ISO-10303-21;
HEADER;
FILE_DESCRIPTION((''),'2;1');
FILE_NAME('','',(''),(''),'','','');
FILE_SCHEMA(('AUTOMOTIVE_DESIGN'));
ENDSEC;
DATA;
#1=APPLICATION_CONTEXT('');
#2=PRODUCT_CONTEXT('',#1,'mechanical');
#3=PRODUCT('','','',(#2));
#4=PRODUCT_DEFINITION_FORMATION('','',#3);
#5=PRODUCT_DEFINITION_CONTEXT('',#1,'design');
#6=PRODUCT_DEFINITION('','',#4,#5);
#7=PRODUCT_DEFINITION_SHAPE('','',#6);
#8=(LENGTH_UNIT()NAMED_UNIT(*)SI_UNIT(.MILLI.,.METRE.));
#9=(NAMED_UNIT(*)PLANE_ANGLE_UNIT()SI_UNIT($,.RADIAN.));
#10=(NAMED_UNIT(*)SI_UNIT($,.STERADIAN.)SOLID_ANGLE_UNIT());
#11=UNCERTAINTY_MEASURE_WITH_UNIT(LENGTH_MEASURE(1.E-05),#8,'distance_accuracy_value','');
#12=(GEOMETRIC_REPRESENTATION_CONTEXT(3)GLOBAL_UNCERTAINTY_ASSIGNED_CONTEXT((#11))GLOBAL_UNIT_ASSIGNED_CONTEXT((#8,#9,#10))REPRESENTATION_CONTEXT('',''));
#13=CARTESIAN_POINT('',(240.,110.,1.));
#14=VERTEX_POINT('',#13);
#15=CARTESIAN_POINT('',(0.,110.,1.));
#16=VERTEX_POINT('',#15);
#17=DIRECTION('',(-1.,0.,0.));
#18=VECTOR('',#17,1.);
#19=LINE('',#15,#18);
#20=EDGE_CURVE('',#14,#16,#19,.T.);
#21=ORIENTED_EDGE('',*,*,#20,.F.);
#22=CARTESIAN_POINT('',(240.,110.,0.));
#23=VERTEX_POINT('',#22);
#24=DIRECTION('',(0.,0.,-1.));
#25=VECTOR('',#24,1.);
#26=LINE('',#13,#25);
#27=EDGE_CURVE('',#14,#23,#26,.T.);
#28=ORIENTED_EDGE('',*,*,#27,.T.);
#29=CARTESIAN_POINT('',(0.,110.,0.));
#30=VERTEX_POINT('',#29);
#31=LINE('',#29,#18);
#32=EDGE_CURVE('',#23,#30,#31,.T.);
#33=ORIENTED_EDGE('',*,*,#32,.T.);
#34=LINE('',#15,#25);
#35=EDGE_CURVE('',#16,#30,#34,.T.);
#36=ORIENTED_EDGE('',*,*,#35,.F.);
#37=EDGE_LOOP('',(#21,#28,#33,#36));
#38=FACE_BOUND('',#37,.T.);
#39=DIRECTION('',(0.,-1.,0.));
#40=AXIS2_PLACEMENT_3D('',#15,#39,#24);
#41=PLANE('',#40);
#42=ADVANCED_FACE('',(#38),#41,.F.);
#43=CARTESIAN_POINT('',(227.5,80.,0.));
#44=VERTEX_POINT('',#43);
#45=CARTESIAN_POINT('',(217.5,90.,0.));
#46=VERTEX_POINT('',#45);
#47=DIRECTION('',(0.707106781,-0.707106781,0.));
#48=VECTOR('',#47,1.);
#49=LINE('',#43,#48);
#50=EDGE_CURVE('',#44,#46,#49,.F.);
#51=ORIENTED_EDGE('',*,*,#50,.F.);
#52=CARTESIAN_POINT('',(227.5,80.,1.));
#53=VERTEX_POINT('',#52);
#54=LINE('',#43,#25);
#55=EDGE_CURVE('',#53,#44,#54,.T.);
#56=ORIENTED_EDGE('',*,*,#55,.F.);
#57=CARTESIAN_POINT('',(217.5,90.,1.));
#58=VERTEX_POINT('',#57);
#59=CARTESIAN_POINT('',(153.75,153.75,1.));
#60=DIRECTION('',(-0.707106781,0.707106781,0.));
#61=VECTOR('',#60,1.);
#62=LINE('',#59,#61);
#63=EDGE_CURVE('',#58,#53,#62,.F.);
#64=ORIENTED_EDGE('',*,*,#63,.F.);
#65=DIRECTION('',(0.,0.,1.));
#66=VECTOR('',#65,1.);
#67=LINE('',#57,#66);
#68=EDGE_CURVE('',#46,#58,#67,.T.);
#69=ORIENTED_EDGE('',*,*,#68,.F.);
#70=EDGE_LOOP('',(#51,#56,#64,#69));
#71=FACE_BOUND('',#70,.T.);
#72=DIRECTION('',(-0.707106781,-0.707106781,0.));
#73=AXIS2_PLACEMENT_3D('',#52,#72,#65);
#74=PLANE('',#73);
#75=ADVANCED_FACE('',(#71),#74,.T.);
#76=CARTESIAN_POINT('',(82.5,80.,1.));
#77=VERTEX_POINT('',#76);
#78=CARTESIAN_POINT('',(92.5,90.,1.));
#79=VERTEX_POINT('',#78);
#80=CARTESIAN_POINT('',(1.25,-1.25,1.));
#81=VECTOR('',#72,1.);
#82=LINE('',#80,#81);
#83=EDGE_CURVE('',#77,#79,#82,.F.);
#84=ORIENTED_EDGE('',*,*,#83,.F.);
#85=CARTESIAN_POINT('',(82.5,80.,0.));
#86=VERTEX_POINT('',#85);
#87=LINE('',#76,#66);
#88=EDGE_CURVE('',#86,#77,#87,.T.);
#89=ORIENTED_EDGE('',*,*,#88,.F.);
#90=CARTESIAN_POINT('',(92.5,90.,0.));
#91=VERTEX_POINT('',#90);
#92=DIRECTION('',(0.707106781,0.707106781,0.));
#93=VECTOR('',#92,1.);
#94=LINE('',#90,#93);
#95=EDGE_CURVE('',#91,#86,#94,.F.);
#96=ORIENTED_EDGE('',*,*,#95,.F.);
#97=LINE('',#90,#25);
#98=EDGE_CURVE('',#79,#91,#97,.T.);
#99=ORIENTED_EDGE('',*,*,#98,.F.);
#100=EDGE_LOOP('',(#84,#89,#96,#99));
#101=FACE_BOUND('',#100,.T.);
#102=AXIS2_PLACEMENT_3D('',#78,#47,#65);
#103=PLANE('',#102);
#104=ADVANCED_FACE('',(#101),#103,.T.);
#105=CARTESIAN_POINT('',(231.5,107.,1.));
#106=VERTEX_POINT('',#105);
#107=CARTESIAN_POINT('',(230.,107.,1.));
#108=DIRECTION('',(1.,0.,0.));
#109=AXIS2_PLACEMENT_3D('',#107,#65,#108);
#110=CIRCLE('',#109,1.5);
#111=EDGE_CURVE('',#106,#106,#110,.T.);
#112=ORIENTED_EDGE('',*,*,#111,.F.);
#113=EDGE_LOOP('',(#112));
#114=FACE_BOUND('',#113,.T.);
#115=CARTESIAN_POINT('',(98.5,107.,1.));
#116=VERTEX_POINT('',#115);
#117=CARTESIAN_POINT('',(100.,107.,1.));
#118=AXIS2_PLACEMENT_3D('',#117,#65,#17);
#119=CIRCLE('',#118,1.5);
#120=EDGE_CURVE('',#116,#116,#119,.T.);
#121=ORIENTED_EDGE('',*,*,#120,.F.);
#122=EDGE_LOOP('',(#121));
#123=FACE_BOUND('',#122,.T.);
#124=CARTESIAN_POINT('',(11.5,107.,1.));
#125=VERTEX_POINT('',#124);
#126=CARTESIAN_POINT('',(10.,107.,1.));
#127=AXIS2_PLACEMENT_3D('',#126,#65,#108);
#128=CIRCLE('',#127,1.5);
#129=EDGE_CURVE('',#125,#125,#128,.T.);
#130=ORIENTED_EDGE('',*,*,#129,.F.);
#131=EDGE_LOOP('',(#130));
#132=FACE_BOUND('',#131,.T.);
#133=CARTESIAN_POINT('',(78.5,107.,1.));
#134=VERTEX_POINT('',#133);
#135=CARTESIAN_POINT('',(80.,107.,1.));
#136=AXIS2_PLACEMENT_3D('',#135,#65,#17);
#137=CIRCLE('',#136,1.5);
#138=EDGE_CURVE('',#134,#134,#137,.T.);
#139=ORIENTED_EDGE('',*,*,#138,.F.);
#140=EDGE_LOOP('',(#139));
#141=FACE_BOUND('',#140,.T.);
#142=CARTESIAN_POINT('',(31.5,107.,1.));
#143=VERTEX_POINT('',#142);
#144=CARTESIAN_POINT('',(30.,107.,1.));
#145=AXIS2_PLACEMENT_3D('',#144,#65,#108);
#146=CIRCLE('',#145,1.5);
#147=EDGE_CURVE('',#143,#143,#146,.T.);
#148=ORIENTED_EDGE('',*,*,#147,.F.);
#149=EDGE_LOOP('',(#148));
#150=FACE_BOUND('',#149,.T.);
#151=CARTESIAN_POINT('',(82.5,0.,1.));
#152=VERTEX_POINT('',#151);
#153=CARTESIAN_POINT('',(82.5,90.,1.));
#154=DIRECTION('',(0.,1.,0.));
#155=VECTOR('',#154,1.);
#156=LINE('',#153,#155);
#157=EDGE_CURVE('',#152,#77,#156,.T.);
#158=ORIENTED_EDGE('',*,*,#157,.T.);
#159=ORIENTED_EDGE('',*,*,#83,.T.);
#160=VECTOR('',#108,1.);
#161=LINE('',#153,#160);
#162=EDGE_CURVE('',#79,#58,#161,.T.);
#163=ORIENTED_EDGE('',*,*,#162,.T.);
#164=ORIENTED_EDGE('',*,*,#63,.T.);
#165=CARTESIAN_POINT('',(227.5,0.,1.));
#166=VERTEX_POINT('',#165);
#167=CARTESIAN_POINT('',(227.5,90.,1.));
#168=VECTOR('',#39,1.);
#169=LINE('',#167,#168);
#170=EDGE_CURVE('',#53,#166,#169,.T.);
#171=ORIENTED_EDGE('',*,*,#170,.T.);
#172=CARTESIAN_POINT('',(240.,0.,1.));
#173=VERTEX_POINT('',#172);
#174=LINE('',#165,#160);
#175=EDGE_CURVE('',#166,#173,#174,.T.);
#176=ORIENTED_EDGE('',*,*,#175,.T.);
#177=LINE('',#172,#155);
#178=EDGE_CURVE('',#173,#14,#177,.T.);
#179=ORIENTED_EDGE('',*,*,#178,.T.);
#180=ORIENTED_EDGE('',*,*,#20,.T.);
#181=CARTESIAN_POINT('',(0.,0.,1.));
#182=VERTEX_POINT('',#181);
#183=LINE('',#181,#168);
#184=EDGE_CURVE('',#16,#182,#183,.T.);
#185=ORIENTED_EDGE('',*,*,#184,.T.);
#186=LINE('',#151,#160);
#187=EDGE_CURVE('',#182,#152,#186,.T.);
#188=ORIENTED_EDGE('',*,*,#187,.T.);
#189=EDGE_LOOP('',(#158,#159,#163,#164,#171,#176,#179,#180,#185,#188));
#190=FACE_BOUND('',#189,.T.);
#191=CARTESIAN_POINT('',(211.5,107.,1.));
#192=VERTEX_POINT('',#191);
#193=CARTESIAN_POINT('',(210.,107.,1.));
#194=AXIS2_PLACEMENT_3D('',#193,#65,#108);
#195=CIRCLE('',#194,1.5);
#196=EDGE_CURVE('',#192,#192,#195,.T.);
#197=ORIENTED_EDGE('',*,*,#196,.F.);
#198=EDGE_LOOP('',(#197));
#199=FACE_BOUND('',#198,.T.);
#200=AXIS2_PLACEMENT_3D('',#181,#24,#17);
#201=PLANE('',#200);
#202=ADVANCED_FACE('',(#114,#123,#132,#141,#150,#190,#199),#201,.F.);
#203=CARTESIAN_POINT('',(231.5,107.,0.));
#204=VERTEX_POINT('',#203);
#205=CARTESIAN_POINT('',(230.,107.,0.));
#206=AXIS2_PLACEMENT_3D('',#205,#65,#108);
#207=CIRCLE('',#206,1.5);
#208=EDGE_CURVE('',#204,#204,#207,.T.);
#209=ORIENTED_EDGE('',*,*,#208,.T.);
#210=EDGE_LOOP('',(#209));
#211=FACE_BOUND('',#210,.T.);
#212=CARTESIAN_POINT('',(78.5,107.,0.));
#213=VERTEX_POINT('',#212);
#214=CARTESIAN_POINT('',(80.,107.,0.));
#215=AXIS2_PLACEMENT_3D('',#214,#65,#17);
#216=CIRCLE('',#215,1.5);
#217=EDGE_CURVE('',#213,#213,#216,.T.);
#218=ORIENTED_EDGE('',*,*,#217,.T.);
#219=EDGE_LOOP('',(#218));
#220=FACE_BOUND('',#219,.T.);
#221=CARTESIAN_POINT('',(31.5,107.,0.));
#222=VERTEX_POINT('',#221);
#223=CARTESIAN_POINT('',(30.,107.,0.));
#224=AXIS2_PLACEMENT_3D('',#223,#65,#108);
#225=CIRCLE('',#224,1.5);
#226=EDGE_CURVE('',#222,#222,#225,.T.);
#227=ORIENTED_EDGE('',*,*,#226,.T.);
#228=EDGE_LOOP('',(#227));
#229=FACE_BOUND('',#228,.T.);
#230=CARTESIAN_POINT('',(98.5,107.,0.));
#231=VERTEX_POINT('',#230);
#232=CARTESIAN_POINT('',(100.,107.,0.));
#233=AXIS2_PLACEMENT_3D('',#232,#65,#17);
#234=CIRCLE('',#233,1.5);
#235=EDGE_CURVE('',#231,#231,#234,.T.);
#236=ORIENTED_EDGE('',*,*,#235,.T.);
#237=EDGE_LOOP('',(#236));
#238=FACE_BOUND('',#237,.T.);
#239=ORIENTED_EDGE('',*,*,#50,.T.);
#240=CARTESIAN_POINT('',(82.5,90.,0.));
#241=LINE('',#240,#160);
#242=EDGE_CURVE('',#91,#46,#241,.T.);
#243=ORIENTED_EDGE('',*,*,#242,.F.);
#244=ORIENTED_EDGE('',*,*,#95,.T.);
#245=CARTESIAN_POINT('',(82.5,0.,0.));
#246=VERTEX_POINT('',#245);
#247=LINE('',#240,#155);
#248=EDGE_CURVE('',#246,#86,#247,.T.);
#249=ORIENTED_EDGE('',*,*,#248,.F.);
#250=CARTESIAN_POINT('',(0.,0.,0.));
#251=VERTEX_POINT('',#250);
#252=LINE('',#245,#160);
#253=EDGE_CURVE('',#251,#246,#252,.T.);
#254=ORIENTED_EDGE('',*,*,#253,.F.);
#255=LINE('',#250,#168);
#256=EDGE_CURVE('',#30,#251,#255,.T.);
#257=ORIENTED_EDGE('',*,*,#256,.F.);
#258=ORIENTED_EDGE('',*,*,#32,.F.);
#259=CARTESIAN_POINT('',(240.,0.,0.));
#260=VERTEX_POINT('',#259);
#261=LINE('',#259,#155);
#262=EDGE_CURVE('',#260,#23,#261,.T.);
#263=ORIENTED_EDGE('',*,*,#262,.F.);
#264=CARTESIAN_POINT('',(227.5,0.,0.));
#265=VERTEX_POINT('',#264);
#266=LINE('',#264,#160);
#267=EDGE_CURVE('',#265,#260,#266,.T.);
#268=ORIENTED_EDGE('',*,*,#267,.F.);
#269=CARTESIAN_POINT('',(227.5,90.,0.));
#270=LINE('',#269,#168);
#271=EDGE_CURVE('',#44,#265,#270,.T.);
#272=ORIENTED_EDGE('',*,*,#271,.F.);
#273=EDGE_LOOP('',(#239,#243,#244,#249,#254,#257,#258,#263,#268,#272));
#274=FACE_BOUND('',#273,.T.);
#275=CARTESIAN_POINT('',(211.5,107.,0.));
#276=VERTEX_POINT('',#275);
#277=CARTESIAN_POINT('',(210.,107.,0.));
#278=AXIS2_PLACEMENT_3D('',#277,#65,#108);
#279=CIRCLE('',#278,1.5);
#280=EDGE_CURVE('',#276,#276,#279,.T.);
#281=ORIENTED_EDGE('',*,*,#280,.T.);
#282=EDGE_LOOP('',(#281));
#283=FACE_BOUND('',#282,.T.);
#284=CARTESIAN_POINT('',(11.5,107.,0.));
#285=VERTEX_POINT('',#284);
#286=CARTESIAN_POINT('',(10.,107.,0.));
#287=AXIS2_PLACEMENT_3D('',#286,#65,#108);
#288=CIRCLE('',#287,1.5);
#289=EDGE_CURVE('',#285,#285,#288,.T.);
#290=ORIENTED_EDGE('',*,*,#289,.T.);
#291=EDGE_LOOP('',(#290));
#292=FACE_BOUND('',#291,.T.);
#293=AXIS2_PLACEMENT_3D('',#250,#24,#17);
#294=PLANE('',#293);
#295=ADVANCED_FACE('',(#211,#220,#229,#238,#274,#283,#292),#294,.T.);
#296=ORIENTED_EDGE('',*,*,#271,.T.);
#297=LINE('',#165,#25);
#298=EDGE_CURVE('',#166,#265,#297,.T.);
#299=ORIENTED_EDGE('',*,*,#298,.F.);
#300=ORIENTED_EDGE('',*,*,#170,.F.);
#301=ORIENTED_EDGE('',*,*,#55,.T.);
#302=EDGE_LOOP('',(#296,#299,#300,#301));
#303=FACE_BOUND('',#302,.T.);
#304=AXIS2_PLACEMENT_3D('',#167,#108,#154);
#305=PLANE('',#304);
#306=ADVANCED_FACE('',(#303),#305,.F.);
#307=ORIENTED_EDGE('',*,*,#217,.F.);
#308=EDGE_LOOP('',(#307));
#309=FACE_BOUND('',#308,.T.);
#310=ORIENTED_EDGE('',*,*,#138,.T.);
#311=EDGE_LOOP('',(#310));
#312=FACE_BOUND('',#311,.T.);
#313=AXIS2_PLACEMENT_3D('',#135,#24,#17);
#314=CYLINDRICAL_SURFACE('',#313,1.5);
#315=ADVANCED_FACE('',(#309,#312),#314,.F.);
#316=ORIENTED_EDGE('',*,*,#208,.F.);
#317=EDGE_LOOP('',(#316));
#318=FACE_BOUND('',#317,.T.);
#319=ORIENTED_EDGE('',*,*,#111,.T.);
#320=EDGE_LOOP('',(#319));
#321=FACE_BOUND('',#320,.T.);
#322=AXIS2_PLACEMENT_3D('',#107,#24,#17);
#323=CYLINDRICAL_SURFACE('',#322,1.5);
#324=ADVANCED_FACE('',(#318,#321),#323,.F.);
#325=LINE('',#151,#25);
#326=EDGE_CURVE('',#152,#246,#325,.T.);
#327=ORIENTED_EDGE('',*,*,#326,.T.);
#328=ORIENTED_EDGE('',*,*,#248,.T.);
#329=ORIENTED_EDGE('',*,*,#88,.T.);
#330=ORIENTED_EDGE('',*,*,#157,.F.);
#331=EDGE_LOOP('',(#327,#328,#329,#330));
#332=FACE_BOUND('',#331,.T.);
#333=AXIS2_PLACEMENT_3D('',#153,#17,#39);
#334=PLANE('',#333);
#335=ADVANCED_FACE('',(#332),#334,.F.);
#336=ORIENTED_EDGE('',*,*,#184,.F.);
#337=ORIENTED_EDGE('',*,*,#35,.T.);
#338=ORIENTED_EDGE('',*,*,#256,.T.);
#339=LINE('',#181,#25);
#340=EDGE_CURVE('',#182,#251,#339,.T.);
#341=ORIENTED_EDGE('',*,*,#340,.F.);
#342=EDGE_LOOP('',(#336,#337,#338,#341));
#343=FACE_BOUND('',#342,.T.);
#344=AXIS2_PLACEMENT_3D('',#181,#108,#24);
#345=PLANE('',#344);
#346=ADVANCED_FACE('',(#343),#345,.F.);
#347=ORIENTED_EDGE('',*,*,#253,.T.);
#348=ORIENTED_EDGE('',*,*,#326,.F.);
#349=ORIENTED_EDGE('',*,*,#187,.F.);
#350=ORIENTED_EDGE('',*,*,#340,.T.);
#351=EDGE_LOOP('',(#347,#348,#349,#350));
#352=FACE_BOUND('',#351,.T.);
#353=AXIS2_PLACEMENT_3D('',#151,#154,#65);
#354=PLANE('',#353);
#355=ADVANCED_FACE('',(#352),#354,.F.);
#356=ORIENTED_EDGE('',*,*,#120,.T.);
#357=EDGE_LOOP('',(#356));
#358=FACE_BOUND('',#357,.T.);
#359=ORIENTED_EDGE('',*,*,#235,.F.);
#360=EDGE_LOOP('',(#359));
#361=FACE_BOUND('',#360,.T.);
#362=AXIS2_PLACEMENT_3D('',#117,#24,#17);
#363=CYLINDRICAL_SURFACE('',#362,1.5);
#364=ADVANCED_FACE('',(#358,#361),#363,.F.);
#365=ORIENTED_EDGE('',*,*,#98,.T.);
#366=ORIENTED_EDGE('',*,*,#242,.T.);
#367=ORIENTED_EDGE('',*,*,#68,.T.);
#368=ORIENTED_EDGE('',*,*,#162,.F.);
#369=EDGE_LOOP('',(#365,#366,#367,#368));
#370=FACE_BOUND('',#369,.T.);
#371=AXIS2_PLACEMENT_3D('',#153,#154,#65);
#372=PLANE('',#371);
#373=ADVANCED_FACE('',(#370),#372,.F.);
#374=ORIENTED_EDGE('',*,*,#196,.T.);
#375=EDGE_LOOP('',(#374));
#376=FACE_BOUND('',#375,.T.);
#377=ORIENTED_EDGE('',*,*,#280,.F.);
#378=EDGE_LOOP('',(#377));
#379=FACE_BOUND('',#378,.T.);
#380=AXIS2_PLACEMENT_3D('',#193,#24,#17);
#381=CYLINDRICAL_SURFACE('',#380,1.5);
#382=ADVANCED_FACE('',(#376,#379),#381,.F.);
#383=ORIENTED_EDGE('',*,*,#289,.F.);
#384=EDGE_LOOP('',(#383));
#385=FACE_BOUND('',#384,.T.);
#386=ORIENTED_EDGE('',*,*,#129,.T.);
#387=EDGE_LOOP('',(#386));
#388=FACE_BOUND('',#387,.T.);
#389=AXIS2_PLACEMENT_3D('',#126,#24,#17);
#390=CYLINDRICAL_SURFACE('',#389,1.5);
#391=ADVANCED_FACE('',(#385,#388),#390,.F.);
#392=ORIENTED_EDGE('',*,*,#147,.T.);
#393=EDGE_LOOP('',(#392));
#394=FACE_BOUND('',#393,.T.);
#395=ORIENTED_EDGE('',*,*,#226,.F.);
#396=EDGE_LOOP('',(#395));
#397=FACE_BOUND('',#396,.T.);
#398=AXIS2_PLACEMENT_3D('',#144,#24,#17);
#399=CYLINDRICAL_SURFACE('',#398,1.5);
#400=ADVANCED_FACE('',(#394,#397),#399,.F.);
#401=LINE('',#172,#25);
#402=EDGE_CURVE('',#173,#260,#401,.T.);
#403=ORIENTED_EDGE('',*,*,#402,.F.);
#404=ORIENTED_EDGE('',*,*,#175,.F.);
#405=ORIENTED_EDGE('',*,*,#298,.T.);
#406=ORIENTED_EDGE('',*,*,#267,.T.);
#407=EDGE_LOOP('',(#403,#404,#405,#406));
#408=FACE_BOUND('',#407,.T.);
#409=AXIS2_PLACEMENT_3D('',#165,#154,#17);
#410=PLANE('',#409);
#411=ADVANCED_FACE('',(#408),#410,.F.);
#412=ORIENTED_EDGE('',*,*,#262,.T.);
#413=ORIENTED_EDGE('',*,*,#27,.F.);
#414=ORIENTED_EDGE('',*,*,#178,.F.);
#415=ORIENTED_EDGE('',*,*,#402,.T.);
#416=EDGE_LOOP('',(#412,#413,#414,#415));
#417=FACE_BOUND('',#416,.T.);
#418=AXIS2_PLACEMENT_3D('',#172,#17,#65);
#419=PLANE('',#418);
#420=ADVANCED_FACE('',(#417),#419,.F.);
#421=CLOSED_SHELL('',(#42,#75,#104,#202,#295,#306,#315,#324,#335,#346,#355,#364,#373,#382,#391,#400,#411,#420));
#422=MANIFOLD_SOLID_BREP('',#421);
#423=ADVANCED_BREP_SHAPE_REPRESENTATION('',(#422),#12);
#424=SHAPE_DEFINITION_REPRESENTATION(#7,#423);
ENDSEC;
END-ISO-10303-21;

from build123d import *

# Parameters (mm, degrees)
SKETCH_1_R      = 1.5
EXTRUDE_1_DEPTH = 1
CHAMFER_1_SIZE  = 10


with BuildPart() as part:
    # 草图1 → 凸台-拉伸1 (new body)
    with BuildSketch(Plane.XY):
        Polygon((0, 0), (0, 110), (240, 110), (240, 0), (227.5, 0), (227.5, 90), (82.5, 90), (82.5, 0), align=None)
        with Locations((10, 107)):
            Circle(SKETCH_1_R, mode=Mode.SUBTRACT)
        with Locations((30, 107)):
            Circle(SKETCH_1_R, mode=Mode.SUBTRACT)
        with Locations((210, 107)):
            Circle(SKETCH_1_R, mode=Mode.SUBTRACT)
        with Locations((230, 107)):
            Circle(SKETCH_1_R, mode=Mode.SUBTRACT)
        with Locations(Location((80, 107, 0), (0, 0, 180))):
            Circle(SKETCH_1_R, mode=Mode.SUBTRACT)
        with Locations(Location((100, 107, 0), (0, 0, 180))):
            Circle(SKETCH_1_R, mode=Mode.SUBTRACT)
    extrude(amount=EXTRUDE_1_DEPTH)

    # 倒角1
    chamfer_1_edges = [part.edges().sort_by_distance(p)[0] for p in [
        (227.5, 90, 0.5),
        (82.5, 90, 0.5),
    ]]
    chamfer(chamfer_1_edges, length=CHAMFER_1_SIZE)


solid = part.part
